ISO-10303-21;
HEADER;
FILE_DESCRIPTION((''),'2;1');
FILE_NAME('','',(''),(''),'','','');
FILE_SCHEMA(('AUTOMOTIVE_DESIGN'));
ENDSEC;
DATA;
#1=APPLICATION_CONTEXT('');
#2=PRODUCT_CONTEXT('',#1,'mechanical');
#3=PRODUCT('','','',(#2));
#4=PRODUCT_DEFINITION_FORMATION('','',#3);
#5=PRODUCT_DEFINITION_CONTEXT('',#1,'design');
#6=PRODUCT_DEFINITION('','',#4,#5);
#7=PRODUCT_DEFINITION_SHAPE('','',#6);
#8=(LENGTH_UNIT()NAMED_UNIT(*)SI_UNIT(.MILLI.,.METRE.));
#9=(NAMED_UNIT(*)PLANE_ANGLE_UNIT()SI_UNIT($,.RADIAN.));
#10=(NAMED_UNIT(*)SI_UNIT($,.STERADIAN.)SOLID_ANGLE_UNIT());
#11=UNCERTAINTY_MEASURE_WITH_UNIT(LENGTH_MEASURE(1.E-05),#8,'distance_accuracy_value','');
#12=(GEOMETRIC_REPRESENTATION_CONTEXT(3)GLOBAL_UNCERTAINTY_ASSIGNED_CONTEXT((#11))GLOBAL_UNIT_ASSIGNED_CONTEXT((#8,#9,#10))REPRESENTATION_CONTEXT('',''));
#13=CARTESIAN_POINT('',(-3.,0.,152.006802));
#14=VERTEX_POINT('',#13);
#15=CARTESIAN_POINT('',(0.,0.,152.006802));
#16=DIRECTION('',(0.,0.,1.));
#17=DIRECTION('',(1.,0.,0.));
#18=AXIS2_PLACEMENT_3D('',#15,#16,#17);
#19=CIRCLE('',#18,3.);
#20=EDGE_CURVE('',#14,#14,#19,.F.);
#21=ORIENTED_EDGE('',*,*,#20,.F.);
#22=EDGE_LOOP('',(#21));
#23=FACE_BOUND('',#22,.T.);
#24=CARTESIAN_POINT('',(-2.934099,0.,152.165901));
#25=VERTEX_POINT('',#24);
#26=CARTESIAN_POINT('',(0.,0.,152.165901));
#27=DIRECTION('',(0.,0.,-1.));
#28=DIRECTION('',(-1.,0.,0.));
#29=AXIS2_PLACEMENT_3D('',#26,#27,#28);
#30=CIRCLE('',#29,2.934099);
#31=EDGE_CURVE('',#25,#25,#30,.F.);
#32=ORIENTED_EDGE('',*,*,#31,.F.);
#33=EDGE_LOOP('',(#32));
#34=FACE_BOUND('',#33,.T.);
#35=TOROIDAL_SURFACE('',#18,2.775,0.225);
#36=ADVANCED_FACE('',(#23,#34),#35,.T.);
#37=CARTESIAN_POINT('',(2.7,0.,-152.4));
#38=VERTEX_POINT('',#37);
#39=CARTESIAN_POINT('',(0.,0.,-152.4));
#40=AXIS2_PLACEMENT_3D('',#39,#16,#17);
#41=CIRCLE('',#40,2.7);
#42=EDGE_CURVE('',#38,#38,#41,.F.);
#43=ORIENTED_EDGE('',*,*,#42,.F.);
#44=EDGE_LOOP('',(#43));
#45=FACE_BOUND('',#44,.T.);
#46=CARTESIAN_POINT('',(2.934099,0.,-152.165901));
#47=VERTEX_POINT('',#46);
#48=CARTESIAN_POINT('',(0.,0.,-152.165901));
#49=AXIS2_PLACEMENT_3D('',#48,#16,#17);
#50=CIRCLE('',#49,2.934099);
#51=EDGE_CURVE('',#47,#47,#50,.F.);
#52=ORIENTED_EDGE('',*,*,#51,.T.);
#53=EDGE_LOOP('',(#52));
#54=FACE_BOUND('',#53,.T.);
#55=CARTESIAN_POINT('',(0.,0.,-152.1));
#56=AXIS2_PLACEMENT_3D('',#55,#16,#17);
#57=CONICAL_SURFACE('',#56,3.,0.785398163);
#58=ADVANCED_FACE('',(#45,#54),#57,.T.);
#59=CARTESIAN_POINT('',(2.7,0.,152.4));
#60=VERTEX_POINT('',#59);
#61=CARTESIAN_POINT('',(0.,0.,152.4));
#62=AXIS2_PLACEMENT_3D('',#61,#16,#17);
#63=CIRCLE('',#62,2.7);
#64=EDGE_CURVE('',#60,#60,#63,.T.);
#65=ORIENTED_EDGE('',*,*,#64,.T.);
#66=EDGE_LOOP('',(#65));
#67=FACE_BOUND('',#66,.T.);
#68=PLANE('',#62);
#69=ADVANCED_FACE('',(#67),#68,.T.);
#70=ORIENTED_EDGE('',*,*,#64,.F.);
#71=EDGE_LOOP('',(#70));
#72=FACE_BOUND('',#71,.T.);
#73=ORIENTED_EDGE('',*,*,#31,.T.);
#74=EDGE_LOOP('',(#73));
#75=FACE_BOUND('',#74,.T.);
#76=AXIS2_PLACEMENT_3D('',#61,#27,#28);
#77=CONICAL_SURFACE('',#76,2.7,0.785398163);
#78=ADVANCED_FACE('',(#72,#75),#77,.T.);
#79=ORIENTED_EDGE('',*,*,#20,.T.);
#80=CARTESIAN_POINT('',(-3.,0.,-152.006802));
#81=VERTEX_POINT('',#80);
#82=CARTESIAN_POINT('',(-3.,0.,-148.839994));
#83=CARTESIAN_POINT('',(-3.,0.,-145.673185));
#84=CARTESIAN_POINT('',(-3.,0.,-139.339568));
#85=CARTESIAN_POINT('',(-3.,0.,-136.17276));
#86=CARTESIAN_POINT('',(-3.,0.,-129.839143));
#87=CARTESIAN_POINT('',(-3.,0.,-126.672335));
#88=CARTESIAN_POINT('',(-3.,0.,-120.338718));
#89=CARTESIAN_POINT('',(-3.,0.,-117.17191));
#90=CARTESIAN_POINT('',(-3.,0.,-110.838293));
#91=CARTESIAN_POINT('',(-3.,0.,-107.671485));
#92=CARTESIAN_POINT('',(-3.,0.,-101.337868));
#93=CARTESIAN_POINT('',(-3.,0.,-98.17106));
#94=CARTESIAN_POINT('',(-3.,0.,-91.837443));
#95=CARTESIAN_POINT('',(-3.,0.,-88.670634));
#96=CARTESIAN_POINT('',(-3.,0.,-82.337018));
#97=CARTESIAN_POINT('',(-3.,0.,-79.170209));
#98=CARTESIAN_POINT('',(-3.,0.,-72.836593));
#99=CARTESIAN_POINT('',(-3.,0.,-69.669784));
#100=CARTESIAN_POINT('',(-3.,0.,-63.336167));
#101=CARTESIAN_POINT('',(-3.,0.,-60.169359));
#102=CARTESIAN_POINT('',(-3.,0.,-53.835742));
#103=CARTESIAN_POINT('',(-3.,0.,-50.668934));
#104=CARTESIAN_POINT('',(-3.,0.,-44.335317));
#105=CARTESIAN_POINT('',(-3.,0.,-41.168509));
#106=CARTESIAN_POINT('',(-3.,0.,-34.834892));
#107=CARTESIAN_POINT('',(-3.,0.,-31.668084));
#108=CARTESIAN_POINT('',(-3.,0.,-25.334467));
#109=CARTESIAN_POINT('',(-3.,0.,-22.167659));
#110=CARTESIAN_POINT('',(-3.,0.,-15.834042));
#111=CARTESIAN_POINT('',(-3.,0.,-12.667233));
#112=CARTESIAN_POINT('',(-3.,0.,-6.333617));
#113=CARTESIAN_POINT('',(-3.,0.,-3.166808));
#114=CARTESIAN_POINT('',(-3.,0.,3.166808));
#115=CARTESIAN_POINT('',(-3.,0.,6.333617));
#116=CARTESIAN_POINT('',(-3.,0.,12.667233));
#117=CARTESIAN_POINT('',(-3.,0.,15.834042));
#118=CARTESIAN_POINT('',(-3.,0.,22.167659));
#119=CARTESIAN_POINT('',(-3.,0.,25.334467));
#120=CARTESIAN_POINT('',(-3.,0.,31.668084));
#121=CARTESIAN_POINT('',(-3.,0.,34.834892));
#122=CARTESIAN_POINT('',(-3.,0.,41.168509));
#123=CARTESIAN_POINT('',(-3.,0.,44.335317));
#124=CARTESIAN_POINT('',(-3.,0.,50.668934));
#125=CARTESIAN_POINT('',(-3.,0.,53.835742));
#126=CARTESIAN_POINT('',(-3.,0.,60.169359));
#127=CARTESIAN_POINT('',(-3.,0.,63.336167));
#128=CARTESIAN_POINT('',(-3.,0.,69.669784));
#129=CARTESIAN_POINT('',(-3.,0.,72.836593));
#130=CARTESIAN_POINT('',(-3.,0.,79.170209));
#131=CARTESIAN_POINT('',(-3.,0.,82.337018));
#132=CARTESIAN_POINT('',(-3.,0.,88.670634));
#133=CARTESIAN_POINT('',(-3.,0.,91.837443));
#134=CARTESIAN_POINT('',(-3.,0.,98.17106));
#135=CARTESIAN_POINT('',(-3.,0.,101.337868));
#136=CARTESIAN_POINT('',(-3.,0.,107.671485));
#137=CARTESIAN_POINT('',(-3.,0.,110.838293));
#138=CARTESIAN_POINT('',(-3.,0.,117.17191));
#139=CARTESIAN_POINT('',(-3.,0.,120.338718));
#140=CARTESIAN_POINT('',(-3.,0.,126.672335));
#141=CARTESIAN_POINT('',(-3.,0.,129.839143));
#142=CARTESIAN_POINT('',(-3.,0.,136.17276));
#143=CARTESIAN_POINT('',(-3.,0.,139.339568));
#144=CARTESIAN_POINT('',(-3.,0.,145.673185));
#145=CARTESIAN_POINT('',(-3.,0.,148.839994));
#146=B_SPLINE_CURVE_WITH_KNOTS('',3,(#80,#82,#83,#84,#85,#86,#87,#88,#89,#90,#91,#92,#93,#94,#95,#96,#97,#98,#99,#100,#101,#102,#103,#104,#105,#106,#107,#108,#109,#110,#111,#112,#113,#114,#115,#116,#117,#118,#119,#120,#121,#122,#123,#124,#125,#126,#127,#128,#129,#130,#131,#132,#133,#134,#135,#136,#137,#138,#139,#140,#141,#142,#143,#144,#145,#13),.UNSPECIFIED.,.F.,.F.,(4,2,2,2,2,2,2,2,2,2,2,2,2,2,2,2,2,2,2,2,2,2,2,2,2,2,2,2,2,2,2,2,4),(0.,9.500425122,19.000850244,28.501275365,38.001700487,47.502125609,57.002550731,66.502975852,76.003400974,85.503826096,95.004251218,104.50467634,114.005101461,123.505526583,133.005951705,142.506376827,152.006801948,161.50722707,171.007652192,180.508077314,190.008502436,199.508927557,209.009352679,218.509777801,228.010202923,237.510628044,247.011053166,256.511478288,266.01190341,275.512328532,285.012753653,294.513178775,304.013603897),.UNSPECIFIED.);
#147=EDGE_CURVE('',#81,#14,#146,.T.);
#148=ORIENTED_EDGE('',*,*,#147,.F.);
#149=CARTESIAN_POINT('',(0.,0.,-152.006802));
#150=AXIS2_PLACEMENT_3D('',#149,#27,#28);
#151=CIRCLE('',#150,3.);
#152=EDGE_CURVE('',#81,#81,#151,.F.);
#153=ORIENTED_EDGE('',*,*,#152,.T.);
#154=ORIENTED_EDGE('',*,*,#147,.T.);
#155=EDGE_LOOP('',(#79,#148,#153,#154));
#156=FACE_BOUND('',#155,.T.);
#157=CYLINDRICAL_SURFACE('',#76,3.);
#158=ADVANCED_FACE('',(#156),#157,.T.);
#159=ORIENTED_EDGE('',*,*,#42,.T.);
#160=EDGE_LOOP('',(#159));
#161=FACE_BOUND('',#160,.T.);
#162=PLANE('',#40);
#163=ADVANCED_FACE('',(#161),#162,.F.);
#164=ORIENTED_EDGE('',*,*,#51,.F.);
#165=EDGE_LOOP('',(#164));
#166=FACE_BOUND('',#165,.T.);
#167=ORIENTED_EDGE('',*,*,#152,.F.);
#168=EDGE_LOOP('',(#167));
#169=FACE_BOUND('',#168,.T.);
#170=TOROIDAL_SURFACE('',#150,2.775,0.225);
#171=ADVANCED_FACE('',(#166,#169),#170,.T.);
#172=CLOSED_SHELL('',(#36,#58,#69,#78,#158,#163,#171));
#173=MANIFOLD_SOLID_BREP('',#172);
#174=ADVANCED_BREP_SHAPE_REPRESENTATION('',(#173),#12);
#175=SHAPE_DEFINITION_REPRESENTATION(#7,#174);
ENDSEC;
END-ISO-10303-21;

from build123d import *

# Parameters (mm, degrees)
SKETCH3_R           = 3
BOSS_EXTRUDE1_DEPTH = 152.4
CHAMFER1_SIZE       = 0.3
FILLET1_R           = 0.225


with BuildPart() as part:
    # Sketch3 → Boss-Extrude1 (new, symmetric)
    with BuildSketch(Plane.XY):
        with Locations(Location((0, 0, 0), (0, 0, 180))):
            Circle(SKETCH3_R)
    extrude(amount=BOSS_EXTRUDE1_DEPTH, both=True)

    # Chamfer1
    chamfer1_edges = [part.edges().sort_by_distance(p)[0] for p in [
        (3, 0, -152.4),
        (3, 0, 152.4),
    ]]
    chamfer(chamfer1_edges, length=CHAMFER1_SIZE)

    # Fillet1
    fillet1_edges = [part.edges().sort_by_distance(p)[0] for p in [
        (3, 0, 152.1),
        (3, 0, -152.1),
    ]]
    fillet(fillet1_edges, radius=FILLET1_R)


solid = part.part
